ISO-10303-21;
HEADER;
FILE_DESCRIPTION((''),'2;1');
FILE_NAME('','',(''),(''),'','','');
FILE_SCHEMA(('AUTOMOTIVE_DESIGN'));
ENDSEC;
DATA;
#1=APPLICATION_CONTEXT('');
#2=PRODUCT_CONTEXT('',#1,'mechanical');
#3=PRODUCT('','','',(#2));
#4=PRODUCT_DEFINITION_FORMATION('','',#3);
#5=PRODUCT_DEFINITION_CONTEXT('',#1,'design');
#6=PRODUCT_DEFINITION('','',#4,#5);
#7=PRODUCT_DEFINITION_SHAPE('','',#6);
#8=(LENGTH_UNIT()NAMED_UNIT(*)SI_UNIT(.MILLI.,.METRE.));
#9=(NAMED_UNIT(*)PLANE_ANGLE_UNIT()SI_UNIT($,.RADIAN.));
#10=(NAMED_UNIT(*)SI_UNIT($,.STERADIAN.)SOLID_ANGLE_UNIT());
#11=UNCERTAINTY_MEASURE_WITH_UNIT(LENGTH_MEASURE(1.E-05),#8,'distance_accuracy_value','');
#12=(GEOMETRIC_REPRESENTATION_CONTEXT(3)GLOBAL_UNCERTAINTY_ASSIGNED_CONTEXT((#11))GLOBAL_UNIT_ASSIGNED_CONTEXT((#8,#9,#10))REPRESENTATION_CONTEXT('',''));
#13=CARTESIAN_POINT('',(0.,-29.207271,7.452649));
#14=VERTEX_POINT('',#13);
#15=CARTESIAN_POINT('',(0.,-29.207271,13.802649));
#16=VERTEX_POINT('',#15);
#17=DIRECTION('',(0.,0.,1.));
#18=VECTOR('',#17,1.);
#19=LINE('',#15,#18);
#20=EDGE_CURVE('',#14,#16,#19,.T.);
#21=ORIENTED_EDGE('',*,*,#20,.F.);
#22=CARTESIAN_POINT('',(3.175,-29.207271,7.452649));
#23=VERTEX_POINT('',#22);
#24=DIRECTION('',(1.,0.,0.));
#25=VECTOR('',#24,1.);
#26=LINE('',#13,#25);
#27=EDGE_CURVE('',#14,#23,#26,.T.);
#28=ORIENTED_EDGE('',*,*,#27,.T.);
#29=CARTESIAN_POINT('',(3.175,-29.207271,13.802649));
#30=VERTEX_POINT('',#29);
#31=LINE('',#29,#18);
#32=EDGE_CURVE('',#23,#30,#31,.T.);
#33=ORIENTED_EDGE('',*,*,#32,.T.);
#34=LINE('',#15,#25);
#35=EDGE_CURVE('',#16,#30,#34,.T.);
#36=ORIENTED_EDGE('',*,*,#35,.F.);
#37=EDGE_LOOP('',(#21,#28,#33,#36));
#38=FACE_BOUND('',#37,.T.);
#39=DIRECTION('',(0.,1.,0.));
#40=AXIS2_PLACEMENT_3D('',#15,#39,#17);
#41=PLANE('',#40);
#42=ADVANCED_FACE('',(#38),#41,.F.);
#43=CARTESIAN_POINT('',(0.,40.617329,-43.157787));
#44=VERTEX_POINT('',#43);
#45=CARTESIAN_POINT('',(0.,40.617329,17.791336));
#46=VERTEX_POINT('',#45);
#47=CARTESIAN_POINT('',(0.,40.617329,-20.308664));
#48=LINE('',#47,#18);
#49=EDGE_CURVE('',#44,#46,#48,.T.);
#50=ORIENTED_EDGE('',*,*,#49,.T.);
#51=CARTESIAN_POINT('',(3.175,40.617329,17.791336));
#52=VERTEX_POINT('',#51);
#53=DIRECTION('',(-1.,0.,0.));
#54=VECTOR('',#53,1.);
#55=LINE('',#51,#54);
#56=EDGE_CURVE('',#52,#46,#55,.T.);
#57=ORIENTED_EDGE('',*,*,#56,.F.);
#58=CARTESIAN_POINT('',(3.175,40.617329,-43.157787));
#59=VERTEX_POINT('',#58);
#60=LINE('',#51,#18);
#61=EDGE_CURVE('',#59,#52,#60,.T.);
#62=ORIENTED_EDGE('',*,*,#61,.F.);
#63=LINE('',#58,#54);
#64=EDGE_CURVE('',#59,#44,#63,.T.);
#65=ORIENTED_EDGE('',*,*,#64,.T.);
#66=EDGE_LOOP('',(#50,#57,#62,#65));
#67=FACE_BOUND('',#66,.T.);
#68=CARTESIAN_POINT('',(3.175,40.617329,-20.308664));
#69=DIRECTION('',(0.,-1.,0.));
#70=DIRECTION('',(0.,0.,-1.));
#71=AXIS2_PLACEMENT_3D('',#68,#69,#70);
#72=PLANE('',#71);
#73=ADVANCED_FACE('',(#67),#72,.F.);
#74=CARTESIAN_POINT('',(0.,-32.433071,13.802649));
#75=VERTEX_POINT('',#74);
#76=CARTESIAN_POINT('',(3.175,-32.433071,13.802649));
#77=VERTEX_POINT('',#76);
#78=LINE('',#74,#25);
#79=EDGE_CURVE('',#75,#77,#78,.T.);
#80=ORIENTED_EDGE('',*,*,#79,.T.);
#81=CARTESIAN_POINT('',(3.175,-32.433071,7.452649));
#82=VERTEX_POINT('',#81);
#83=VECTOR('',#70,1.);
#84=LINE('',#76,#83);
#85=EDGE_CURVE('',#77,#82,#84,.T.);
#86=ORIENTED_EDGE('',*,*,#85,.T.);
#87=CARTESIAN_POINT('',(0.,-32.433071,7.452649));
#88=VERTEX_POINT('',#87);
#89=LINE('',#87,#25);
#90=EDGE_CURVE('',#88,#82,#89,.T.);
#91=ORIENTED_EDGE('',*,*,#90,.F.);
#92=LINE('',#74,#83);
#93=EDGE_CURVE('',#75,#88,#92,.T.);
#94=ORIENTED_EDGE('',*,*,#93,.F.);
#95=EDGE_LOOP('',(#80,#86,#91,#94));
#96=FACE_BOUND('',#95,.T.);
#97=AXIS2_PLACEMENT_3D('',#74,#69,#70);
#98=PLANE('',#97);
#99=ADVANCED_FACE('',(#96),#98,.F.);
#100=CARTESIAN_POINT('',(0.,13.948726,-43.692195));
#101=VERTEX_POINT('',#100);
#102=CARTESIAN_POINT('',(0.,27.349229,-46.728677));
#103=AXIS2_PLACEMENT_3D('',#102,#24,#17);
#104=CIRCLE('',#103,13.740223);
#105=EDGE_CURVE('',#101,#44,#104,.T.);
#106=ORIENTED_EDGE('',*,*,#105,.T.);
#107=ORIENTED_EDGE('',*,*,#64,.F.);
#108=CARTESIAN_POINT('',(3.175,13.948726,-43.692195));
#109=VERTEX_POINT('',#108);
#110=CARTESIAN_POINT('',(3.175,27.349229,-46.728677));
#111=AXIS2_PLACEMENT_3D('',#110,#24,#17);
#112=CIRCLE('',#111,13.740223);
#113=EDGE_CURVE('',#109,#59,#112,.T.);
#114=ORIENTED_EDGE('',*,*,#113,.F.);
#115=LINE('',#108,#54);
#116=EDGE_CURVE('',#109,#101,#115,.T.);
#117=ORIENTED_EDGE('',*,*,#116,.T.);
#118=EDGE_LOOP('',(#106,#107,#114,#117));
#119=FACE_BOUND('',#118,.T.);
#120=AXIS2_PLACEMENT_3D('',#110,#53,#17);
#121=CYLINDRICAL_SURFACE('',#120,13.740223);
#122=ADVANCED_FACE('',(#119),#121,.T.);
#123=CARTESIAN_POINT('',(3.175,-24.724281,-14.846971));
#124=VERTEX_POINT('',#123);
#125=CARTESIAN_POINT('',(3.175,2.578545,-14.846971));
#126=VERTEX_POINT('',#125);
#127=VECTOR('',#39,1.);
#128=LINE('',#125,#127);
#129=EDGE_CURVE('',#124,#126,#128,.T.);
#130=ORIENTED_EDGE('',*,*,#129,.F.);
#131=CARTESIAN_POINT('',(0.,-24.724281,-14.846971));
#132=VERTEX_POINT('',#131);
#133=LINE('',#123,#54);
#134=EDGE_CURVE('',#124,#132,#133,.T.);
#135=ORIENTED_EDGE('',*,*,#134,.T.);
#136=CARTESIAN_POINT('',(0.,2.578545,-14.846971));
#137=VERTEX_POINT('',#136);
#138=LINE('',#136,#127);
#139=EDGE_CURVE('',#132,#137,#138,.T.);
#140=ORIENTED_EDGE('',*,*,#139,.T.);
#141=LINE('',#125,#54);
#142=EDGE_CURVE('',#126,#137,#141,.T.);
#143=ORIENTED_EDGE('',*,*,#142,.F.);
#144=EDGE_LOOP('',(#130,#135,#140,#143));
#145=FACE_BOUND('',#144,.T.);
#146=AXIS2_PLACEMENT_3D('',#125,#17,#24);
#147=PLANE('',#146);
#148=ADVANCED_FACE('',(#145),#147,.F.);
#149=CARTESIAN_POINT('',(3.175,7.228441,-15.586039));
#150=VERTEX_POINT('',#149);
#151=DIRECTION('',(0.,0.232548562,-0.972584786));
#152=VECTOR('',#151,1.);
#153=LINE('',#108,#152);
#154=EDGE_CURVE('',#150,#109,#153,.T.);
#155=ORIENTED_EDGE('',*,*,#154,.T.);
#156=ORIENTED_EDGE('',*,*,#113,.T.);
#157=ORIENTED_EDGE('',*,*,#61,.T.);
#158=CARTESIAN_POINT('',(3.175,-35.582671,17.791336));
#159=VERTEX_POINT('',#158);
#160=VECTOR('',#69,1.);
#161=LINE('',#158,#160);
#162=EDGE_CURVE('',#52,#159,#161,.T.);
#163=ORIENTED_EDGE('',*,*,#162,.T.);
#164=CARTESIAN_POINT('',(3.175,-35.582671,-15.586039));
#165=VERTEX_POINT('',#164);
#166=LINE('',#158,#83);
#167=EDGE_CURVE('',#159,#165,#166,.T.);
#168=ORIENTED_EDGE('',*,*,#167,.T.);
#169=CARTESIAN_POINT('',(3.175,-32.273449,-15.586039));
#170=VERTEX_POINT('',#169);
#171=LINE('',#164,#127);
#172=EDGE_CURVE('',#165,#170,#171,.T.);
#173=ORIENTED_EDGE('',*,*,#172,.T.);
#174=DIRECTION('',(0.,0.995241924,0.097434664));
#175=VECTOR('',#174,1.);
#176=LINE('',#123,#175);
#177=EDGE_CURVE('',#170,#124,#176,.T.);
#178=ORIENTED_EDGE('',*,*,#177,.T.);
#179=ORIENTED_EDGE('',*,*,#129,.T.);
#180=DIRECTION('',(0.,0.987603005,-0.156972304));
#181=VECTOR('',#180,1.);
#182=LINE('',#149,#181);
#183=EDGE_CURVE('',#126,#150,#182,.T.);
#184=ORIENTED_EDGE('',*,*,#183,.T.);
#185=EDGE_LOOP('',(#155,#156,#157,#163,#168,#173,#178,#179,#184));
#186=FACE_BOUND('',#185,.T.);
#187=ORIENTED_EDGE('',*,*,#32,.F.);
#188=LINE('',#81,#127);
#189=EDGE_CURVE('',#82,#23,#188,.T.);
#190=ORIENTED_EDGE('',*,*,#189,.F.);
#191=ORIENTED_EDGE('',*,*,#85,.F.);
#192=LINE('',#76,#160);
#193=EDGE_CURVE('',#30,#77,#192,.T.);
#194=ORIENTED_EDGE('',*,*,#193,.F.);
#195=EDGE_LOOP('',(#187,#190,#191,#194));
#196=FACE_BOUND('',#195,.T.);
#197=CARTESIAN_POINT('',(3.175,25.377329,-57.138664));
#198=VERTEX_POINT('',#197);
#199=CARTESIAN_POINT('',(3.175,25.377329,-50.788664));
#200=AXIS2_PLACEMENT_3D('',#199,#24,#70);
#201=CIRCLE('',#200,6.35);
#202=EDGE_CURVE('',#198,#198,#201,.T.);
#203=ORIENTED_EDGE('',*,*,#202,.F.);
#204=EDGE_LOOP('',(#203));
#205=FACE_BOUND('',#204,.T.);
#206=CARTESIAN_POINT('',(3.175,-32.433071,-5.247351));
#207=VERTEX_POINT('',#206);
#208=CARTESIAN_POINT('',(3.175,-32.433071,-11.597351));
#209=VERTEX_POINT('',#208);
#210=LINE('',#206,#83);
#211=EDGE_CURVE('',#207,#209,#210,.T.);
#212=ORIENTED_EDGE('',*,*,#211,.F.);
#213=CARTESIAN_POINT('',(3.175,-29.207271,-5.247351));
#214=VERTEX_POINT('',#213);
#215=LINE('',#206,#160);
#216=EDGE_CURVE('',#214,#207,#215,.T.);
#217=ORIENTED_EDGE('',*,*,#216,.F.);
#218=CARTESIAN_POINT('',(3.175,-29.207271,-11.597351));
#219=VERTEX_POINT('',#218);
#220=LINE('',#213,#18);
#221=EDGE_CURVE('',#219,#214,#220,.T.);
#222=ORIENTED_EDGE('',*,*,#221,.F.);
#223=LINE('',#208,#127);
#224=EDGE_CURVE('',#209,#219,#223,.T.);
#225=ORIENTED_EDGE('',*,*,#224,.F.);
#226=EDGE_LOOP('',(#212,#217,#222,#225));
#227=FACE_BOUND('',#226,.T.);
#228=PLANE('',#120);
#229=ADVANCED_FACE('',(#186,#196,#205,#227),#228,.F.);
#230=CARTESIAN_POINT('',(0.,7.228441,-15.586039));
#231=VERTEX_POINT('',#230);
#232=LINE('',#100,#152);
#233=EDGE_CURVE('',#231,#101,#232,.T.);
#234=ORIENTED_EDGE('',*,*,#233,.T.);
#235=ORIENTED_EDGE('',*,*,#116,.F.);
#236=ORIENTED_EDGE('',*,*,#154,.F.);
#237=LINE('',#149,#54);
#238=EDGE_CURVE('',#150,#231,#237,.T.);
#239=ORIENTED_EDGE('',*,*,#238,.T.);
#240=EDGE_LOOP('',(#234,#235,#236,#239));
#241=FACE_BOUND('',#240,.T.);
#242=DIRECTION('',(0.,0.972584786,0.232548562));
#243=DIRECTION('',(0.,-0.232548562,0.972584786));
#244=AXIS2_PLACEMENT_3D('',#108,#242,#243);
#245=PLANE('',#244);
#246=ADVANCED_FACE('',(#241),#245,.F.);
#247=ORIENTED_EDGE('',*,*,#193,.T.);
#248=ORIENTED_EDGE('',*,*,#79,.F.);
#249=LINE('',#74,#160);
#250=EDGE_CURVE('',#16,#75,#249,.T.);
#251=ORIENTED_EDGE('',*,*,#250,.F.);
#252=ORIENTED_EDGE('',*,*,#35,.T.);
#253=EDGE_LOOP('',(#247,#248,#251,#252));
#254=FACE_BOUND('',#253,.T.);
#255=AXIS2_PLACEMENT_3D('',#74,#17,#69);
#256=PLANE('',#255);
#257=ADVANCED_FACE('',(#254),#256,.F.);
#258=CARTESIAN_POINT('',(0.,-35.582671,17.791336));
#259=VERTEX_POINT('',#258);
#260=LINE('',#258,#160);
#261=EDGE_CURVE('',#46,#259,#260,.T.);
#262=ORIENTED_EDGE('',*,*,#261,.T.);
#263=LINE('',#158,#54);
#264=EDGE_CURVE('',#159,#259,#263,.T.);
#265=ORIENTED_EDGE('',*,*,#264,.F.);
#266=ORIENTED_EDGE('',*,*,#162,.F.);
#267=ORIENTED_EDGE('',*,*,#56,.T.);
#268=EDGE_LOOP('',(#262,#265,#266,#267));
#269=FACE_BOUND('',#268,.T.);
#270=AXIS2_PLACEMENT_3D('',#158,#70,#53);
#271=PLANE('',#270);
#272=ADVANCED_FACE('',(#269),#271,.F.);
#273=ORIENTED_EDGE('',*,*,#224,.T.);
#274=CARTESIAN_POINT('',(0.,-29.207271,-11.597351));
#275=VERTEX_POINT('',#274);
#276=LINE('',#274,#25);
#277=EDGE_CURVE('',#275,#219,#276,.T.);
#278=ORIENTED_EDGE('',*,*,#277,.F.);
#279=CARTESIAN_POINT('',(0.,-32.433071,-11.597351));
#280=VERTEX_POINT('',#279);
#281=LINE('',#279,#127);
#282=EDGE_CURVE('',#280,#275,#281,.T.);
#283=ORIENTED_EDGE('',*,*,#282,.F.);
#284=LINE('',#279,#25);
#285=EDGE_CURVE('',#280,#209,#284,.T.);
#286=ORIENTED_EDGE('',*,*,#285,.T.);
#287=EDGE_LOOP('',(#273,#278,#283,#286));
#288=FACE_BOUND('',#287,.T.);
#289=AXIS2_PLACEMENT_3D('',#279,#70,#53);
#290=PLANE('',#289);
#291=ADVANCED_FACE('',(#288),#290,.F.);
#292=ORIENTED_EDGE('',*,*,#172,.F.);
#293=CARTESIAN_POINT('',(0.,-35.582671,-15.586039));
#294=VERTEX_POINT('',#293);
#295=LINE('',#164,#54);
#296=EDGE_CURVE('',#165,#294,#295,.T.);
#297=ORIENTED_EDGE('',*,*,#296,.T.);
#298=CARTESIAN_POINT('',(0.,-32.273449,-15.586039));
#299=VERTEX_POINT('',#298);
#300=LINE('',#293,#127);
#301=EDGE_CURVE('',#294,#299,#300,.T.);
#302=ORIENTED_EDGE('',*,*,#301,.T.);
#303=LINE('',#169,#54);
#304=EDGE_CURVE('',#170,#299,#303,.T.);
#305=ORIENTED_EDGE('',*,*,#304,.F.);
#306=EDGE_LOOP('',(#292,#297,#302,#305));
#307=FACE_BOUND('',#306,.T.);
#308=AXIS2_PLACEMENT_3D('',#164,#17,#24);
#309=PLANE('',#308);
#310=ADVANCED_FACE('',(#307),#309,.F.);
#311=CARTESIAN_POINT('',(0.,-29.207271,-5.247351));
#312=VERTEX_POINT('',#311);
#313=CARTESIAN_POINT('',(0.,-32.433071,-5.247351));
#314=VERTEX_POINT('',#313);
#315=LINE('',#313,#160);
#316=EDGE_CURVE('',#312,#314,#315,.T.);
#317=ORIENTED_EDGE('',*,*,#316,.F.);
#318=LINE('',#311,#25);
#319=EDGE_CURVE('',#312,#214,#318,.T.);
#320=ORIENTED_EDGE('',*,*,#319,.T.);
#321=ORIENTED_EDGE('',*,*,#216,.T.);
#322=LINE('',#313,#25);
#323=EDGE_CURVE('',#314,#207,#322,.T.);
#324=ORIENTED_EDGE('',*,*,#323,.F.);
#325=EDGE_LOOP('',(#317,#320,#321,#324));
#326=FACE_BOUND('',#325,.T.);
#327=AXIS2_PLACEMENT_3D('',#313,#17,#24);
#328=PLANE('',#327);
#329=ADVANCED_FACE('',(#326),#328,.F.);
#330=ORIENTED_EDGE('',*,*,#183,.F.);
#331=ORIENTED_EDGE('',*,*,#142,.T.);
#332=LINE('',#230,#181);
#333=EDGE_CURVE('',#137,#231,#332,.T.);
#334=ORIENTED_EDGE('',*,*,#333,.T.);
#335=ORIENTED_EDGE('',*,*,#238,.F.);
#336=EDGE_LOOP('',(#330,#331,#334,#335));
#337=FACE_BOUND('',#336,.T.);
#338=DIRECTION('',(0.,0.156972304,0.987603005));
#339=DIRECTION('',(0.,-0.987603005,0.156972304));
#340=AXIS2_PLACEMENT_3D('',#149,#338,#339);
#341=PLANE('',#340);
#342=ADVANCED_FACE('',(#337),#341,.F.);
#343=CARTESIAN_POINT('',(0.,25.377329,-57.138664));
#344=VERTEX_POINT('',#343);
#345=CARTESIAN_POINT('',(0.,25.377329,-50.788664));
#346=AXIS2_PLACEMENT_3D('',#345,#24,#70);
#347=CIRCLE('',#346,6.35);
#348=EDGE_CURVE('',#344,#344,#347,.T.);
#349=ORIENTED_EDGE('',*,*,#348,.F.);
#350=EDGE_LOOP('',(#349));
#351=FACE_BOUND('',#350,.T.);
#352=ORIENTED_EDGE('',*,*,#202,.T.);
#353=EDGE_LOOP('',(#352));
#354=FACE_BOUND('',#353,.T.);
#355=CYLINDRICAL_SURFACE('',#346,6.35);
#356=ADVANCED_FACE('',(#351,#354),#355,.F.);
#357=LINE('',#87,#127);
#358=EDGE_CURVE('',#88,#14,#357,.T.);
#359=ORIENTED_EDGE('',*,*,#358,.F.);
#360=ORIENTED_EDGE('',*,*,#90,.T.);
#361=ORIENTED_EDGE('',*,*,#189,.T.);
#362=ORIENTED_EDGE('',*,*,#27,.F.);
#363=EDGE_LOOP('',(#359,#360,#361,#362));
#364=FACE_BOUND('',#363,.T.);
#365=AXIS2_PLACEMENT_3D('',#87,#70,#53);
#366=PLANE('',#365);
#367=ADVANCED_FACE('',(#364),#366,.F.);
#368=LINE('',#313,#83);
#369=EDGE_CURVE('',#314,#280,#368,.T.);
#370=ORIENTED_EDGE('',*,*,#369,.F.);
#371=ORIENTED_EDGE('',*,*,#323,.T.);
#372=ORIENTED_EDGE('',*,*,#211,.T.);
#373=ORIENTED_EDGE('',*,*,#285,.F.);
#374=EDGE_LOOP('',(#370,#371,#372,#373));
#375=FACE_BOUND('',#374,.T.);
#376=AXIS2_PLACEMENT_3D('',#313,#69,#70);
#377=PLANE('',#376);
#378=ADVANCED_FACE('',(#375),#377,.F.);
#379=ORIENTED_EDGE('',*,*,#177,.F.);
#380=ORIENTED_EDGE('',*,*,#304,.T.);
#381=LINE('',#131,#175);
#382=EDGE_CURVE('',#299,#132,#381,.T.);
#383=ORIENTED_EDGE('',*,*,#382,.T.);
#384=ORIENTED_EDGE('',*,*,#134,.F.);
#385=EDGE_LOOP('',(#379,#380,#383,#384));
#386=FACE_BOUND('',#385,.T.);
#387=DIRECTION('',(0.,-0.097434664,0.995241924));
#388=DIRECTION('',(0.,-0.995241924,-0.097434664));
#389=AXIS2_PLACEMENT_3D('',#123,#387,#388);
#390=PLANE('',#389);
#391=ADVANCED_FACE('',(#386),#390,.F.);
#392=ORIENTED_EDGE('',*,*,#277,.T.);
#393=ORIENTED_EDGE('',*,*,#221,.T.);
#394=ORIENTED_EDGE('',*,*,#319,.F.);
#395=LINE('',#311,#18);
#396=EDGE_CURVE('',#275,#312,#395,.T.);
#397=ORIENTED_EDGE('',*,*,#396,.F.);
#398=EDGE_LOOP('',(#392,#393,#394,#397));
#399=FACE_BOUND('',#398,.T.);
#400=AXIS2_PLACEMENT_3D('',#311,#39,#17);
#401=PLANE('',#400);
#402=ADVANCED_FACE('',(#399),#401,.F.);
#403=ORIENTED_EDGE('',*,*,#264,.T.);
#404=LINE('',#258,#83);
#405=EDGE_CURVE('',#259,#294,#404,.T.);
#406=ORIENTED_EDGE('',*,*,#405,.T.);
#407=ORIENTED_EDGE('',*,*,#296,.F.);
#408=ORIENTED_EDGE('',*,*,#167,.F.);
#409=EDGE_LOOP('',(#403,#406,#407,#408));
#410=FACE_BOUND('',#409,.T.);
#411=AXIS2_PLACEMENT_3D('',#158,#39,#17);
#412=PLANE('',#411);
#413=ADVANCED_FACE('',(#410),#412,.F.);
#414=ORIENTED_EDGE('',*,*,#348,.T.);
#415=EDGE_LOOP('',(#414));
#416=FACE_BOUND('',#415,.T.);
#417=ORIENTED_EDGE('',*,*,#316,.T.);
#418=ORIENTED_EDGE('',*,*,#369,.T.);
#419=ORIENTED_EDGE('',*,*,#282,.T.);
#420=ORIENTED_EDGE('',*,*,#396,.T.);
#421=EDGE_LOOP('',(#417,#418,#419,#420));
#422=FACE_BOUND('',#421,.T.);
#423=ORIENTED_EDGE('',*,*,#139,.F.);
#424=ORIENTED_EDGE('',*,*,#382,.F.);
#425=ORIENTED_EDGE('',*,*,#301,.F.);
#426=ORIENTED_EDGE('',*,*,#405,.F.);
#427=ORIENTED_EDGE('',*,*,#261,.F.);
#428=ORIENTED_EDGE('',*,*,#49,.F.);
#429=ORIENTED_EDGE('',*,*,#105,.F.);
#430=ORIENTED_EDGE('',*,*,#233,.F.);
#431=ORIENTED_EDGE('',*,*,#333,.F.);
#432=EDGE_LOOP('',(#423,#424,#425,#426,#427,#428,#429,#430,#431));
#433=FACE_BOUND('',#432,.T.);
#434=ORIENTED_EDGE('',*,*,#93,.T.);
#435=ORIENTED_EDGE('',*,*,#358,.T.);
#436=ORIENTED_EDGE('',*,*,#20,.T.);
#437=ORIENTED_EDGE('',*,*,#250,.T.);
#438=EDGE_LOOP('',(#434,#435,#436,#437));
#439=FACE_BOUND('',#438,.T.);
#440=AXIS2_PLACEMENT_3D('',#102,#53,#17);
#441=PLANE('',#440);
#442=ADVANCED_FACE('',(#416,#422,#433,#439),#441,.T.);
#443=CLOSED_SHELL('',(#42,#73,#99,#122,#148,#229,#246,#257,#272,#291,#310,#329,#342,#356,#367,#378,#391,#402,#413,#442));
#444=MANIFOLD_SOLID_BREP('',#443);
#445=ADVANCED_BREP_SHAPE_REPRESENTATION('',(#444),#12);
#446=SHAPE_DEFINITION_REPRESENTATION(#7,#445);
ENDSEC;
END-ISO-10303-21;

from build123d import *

# Parameters (mm, degrees)
BOSS_EXTRUDE1_DEPTH = 3.175
SKETCH3_R           = 6.35
CUT_EXTRUDE2_DEPTH  = 4.175
CUT_EXTRUDE4_DEPTH  = 4.175
SKETCH4_W           = 6.35
SKETCH4_H           = 3.2258
CUT_EXTRUDE3_DEPTH  = 4.175


with BuildPart() as part:
    # Sketch1 → Boss-Extrude1 (new body)
    with BuildSketch(Plane(origin=(0, 0, 0), x_dir=(0, 0, -1), z_dir=(1, 0, 0))):
        with BuildLine():
            Line((20.308664328, 40.617328656), (43.157786531, 40.617328656))
            ThreePointArc((43.157786531, 40.617328656), (60.466141811, 27.624512399), (43.692194932, 13.948725661))
            Line((43.692194932, 13.948725661), (15.586038544, 7.228441393))
            Line((15.586038544, 7.228441393), (15.586038544, -35.582671344))
            Line((15.586038544, -35.582671344), (-17.791335672, -35.582671344))
            Line((-17.791335672, -35.582671344), (-17.791335672, 40.617328656))
            Line((-17.791335672, 40.617328656), (20.308664328, 40.617328656))
        make_face()
    extrude(amount=BOSS_EXTRUDE1_DEPTH)

    # Sketch3 → Cut-Extrude2 (cut, through all)
    with BuildSketch(Plane(origin=(3.175, 0, 0), x_dir=(0, 0, -1), z_dir=(1, 0, 0))):
        with Locations((50.788664328, 25.377328656)):
            Circle(SKETCH3_R)
    extrude(amount=-CUT_EXTRUDE2_DEPTH, mode=Mode.SUBTRACT)

    # Sketch5 → Cut-Extrude4 (cut, through all)
    with BuildSketch(Plane.ZY):
        Polygon((-15.586038544, 7.228441393), (-14.846971332, 2.578544694), (-14.846971332, -24.724280649), (-15.586038544, -32.273448946), align=None)
    extrude(amount=-CUT_EXTRUDE4_DEPTH, mode=Mode.SUBTRACT)

    # Sketch4 → Cut-Extrude3 (cut, through all)
    with BuildSketch(Plane(origin=(3.175, 0, 0), x_dir=(0, 0, -1), z_dir=(1, 0, 0))):
        with Locations((-10.627648564, -30.820171344)):
            Rectangle(SKETCH4_W, SKETCH4_H)
        with Locations((8.422351436, -30.820171344)):
            Rectangle(SKETCH4_W, SKETCH4_H)
    extrude(amount=-CUT_EXTRUDE3_DEPTH, mode=Mode.SUBTRACT)


solid = part.part
